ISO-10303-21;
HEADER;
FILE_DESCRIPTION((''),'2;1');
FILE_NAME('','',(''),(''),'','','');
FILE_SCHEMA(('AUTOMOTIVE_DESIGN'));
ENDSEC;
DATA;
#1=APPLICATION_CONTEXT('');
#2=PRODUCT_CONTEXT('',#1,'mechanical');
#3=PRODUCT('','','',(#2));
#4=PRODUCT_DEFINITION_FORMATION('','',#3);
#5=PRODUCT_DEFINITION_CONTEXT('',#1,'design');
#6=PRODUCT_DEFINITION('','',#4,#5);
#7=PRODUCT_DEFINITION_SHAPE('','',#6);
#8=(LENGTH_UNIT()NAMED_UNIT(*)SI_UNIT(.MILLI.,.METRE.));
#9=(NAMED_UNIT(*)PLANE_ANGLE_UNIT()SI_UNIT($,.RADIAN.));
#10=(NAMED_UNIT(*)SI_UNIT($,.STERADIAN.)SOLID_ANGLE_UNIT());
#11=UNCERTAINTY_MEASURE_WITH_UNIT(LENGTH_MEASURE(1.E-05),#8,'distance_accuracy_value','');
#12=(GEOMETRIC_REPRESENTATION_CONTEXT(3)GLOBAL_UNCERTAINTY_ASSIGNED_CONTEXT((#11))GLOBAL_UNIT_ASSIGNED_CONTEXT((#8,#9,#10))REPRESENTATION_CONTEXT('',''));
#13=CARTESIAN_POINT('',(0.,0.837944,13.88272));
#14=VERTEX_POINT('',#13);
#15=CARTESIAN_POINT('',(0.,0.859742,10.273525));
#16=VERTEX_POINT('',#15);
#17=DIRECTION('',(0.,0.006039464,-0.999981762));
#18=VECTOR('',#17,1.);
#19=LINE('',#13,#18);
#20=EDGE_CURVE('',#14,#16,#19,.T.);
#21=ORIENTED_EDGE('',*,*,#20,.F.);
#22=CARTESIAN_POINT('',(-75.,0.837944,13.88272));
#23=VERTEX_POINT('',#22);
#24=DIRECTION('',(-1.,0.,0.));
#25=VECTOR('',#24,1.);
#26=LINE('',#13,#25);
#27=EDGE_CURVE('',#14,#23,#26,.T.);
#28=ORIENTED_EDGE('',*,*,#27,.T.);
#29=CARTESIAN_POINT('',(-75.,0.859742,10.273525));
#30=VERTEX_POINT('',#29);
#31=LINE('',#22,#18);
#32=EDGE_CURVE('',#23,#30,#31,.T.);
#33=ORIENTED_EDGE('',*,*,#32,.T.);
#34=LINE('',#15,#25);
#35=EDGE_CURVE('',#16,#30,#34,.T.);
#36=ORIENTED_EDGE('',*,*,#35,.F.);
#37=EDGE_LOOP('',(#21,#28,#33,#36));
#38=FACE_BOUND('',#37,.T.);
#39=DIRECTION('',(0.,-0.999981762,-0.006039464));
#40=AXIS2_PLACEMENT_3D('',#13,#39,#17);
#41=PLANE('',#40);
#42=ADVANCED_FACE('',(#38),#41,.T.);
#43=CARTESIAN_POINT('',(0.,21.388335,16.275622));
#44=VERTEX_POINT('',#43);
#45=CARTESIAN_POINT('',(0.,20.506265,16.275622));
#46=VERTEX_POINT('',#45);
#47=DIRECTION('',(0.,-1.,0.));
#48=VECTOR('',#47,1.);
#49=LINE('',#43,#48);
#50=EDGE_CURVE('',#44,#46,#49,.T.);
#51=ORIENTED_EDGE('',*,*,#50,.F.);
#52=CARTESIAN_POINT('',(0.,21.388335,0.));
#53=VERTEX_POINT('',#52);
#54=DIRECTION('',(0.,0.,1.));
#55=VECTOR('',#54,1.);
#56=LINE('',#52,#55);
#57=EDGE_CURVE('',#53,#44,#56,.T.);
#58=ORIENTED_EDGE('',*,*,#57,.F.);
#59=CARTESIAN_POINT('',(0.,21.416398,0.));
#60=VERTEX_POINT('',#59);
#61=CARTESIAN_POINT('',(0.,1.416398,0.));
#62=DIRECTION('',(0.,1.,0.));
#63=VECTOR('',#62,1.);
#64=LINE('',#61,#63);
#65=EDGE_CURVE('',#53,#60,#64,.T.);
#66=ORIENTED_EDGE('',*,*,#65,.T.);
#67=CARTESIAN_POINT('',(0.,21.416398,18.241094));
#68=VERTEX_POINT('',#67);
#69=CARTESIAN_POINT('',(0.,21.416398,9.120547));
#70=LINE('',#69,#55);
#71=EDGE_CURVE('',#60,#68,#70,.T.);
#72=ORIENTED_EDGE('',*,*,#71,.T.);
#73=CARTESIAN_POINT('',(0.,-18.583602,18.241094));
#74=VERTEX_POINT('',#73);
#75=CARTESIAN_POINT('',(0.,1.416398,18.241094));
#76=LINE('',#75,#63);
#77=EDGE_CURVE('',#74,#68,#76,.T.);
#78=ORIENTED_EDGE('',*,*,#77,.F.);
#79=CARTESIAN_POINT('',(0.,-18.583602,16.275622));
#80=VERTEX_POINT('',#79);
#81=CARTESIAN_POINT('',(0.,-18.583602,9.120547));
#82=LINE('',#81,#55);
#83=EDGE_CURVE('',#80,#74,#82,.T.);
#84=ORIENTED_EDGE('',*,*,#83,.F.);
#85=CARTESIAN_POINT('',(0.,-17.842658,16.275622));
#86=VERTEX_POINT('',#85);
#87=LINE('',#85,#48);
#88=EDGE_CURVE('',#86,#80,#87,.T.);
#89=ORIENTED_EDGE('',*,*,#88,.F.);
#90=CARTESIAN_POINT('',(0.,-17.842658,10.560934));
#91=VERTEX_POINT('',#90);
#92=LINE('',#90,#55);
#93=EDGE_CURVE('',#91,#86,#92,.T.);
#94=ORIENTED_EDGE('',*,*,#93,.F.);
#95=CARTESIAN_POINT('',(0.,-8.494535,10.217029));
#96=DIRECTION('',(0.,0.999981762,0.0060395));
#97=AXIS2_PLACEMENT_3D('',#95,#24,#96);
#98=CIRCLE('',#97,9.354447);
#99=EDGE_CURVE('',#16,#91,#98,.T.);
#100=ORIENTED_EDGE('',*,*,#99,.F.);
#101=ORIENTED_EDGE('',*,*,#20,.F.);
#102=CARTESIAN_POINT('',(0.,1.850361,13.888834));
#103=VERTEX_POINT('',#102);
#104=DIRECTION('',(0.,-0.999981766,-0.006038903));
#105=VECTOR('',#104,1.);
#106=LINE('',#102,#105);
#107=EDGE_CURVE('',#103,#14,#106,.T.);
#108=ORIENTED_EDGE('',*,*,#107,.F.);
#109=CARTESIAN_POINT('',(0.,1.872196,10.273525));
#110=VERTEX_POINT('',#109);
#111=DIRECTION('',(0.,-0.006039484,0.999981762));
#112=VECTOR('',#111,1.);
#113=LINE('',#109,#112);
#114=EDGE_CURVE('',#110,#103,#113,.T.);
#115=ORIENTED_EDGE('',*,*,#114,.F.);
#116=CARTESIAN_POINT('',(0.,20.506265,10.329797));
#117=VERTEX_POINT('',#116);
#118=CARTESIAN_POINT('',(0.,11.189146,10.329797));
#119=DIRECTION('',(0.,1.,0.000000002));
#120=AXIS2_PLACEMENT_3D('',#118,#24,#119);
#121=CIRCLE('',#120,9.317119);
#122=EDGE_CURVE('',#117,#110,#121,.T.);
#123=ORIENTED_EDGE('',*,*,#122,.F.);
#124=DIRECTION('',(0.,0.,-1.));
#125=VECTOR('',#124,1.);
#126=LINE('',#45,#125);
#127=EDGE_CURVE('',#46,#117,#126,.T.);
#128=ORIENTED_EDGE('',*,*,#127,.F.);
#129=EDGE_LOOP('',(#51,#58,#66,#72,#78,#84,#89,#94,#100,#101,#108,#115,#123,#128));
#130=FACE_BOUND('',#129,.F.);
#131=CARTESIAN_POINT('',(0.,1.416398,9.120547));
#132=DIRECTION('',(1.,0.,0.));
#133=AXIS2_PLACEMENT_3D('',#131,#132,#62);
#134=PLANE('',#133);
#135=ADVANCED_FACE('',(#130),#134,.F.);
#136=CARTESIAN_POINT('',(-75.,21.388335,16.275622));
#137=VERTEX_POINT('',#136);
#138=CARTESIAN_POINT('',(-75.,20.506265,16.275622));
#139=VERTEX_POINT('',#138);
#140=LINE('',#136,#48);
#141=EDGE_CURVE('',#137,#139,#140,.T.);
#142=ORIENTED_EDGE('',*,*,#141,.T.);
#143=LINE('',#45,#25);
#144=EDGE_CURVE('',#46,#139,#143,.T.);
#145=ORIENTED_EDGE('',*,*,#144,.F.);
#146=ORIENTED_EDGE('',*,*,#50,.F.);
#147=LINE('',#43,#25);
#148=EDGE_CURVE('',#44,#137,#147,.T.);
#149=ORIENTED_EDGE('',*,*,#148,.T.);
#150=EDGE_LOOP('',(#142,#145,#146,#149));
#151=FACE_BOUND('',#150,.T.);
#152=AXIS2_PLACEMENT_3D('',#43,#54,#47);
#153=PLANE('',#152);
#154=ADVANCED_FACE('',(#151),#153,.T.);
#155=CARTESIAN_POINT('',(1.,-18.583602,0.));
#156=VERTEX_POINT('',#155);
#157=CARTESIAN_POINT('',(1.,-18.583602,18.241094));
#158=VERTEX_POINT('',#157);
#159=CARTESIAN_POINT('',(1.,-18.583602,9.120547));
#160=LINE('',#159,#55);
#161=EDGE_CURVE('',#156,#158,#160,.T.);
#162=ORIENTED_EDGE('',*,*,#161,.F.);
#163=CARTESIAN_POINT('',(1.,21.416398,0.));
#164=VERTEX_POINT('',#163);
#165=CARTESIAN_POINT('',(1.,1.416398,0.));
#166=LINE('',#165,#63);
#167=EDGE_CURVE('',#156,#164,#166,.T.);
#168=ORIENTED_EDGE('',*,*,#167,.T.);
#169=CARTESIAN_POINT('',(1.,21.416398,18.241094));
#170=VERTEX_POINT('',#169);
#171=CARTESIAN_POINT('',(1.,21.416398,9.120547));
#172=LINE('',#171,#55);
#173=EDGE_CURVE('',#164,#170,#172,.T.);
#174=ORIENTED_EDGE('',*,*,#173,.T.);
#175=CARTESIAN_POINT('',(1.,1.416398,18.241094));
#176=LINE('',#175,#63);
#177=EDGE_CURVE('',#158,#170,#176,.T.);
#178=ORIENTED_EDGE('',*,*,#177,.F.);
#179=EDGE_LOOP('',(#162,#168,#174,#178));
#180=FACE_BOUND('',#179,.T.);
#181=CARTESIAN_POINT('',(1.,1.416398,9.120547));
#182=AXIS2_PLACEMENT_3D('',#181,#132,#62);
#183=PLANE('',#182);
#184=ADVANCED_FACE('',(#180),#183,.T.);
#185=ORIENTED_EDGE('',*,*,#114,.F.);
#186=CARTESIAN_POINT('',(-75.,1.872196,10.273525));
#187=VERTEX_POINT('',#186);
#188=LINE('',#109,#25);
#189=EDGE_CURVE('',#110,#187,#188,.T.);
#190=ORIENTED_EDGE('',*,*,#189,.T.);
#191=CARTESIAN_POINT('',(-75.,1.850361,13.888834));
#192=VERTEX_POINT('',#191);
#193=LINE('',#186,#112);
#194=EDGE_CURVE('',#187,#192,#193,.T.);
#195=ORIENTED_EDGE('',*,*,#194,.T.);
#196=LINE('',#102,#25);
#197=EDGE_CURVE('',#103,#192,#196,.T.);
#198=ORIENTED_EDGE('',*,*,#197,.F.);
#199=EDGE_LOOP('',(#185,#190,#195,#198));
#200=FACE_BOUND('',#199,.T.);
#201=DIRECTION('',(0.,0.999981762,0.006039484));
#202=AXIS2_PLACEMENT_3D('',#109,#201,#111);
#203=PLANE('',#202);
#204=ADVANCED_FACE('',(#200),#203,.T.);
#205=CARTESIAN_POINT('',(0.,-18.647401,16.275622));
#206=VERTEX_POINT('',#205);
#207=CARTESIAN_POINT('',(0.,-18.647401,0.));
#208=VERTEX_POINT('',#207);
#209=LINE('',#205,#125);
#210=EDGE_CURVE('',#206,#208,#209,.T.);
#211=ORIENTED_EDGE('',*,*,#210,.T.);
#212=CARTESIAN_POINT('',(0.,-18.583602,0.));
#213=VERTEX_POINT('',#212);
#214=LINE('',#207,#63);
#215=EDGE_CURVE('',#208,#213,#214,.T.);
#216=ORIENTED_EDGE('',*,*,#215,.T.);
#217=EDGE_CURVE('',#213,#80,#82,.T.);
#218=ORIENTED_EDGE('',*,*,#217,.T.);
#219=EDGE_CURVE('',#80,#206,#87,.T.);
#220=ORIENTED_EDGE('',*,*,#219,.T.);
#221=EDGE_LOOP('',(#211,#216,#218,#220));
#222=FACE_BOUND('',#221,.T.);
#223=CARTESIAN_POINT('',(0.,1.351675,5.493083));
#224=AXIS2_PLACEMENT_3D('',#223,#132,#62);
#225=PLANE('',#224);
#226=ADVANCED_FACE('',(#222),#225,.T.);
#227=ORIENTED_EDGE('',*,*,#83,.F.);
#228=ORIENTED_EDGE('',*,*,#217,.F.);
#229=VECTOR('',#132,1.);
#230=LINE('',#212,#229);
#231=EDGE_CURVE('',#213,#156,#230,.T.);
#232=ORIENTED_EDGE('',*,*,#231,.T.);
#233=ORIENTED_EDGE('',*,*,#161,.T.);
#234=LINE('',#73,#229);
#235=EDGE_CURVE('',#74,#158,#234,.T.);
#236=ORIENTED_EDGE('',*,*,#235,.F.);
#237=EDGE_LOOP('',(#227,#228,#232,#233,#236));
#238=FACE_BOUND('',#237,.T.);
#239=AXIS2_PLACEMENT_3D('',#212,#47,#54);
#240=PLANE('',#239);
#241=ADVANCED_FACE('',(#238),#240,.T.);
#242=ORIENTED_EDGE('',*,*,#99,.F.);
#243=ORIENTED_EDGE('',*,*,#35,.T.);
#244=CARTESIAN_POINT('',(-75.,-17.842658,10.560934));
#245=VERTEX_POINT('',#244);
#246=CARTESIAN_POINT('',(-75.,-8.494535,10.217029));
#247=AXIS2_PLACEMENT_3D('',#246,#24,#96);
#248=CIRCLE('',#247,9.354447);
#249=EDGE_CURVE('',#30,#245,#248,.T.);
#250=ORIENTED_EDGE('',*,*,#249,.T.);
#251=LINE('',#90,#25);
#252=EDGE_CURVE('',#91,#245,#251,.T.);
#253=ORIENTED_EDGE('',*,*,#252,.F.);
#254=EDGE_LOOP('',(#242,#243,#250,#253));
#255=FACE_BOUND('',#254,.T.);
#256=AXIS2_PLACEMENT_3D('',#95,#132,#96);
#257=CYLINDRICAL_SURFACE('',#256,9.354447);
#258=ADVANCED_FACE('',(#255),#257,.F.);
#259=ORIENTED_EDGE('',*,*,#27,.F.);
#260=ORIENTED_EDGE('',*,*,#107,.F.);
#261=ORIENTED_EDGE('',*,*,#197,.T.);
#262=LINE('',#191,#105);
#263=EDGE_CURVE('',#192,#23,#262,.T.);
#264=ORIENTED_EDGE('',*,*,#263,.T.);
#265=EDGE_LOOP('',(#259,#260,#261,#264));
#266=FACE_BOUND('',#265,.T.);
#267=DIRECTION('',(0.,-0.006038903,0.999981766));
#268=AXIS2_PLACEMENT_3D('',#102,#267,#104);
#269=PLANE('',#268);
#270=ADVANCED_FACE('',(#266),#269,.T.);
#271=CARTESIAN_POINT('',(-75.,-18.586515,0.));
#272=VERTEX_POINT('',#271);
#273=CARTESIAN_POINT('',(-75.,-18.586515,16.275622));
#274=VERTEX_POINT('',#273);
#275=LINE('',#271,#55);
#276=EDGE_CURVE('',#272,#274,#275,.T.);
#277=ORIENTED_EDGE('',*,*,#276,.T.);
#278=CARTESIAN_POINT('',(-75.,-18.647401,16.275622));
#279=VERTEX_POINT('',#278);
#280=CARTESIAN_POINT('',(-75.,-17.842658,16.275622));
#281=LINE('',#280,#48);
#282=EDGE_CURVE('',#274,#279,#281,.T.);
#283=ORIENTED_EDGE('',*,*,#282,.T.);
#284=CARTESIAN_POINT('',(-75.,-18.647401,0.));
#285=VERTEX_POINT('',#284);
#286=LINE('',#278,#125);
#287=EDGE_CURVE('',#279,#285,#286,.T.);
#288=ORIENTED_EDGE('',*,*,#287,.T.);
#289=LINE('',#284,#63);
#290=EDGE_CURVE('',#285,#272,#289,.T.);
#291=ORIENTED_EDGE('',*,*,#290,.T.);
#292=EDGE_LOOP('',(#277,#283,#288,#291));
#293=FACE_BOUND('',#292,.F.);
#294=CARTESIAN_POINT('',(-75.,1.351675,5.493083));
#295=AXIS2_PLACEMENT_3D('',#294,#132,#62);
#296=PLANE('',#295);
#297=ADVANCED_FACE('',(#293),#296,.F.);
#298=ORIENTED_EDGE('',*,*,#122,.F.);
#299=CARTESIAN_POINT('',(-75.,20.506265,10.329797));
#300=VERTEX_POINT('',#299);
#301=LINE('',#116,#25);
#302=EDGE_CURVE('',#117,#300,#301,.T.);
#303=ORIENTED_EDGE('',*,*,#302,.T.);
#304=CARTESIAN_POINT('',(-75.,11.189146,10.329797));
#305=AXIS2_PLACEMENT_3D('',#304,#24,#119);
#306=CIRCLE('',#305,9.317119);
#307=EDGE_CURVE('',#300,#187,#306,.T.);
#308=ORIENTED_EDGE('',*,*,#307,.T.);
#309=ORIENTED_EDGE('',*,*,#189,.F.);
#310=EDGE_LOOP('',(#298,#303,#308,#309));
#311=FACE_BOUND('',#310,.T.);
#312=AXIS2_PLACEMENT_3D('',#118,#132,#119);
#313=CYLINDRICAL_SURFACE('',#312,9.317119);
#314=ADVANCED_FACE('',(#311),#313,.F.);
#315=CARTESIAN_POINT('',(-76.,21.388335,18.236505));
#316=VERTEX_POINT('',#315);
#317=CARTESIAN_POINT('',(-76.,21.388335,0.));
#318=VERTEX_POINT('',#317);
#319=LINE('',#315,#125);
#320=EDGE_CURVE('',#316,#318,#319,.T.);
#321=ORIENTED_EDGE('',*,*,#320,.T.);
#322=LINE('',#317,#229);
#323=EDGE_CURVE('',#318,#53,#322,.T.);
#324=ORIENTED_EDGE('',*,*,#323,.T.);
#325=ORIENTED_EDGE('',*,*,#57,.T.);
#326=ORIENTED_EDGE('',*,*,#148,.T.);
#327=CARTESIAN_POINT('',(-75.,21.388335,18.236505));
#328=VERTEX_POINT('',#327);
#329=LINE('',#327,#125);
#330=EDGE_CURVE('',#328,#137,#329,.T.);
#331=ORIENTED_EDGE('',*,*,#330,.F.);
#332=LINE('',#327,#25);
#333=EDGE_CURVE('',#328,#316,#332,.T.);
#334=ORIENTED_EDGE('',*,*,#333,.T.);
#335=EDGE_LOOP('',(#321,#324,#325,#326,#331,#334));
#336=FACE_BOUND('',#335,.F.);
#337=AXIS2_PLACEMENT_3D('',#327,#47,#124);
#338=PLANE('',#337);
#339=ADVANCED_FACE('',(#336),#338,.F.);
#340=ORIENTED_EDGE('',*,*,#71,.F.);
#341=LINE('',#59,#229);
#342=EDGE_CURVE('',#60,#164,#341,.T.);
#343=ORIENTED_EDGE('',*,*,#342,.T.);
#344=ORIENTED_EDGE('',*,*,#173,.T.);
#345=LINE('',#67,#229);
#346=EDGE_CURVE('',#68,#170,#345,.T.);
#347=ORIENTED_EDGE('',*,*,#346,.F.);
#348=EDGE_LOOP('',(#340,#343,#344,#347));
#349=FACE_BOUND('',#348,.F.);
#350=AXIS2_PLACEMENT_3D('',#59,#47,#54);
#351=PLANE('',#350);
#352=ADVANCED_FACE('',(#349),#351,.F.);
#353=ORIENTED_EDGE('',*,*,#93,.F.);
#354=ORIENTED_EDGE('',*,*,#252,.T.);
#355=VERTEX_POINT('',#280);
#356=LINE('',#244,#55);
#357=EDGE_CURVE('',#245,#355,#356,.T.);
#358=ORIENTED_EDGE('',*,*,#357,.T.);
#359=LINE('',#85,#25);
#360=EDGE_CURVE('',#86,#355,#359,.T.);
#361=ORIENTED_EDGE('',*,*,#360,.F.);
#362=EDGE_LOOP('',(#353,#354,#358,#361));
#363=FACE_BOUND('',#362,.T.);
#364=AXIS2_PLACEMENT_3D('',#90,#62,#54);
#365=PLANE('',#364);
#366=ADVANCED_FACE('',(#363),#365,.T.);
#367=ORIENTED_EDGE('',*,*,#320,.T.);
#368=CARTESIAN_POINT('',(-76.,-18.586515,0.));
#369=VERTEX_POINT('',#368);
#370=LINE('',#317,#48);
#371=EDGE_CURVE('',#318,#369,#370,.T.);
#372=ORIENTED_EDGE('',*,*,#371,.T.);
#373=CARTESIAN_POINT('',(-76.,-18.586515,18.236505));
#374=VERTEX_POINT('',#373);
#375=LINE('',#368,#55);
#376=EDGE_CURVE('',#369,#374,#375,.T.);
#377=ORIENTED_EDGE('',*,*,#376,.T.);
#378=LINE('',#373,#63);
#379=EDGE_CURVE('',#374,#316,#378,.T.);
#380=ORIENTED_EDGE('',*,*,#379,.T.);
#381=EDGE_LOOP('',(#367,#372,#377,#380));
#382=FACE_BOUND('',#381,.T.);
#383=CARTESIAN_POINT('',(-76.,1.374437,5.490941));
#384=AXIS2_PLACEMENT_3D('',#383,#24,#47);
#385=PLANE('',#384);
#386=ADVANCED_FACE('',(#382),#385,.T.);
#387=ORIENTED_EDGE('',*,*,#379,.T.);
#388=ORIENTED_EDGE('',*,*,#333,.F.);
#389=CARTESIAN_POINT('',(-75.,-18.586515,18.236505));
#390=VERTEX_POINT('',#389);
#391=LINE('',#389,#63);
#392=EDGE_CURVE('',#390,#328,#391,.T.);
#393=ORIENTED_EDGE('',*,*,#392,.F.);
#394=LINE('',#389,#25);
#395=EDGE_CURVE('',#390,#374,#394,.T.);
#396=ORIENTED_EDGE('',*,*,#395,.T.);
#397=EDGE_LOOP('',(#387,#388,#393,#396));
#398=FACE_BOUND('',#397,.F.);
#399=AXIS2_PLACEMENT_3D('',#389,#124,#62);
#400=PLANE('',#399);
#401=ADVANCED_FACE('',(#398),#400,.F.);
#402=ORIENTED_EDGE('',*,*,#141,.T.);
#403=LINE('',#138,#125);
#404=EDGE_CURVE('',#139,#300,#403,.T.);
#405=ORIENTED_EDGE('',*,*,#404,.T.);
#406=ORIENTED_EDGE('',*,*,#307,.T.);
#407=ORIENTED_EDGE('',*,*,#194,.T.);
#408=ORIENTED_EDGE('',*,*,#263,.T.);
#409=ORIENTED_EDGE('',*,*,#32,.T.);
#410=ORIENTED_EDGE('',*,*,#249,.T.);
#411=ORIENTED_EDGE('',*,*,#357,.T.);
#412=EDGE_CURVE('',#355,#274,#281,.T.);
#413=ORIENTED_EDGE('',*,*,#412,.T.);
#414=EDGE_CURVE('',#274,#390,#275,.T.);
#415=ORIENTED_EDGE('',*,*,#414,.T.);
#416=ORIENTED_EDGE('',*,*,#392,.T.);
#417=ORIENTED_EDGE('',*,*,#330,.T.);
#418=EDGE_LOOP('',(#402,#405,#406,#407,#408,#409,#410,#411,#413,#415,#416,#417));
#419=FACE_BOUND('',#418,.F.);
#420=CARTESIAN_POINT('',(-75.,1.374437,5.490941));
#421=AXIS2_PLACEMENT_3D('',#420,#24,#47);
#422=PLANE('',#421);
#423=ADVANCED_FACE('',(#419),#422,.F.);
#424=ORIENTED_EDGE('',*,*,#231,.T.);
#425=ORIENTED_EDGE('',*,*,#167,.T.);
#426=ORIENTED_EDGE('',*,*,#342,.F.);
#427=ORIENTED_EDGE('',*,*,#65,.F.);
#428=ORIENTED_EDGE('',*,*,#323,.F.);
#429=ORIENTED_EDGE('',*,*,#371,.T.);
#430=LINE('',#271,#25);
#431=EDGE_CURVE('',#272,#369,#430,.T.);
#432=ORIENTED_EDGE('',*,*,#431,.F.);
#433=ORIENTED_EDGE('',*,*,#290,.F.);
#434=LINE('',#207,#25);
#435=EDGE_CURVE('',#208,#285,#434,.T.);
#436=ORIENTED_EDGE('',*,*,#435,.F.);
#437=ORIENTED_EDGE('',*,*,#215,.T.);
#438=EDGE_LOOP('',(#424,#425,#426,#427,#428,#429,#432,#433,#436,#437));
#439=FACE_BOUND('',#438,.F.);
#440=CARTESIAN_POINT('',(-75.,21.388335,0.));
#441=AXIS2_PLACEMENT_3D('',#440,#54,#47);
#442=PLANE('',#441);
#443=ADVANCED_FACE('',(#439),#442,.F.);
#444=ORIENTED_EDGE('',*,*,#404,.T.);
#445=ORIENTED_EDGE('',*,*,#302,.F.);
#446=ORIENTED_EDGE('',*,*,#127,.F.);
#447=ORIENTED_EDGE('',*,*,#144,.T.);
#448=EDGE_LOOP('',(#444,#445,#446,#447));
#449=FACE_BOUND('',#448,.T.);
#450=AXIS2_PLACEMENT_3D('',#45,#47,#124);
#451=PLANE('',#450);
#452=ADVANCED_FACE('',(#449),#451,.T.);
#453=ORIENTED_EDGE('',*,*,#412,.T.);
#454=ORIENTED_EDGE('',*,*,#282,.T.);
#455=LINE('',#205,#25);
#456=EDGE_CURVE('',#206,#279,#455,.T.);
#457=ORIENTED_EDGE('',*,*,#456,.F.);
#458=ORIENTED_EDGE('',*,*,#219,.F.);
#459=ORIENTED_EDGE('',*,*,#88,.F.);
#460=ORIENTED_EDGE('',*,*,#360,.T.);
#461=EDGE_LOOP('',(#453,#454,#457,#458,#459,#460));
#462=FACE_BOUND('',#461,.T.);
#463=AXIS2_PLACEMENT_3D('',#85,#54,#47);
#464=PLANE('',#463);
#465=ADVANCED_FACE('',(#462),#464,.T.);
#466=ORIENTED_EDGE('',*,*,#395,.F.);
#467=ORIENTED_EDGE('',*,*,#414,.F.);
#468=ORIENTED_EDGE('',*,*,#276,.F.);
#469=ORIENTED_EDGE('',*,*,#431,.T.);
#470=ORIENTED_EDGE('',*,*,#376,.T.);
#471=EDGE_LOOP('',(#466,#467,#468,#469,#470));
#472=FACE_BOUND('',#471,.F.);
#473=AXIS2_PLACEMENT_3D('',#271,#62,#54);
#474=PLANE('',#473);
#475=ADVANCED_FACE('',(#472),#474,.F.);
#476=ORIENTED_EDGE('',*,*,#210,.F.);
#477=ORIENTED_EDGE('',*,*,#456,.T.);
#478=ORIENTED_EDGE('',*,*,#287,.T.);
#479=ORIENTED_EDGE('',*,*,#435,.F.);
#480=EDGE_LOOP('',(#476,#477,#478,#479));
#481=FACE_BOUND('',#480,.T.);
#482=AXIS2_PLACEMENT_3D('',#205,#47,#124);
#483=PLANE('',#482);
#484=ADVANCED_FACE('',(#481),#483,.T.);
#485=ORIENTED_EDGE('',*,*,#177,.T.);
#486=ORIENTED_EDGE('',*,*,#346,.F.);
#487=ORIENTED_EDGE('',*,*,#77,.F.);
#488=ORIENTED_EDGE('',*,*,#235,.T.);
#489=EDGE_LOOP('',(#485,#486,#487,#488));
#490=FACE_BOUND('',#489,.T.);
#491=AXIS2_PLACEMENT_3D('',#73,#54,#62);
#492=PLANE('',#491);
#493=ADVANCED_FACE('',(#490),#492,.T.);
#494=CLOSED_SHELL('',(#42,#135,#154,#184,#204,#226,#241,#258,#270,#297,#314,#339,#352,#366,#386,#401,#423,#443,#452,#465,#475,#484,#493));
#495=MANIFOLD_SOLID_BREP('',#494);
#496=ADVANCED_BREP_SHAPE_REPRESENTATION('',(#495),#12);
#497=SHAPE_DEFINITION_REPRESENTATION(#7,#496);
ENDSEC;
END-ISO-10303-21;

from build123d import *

# Parameters (mm, degrees)
F0_W     = 40
F0_H     = 18.241094
F1_DEPTH = 1
F3_DEPTH = 75
F5_DEPTH = 1


with BuildPart() as f1:
    # F0 (on Right) → F1 (new body)
    with BuildSketch(Plane.YZ):
        with Locations((1.416398, 9.120547)):
            Rectangle(F0_W, F0_H)
    extrude(amount=F1_DEPTH)

    # F2 (on Right) → F3 (join)
    with BuildSketch(Plane.YZ):
        with BuildLine():
            Line((-18.647401, 0), (21.388335, 0))
            Line((21.388335, 0), (21.388335, 16.275622))
            Line((21.388335, 16.275622), (20.506265, 16.275622))
            Line((20.506265, 16.275622), (20.506265, 10.329797))
            ThreePointArc((20.506265, 10.329797), (11.217281, 1.01272), (1.872196, 10.273525))
            Line((1.872196, 10.273525), (1.850361, 13.888834))
            Line((1.850361, 13.888834), (0.837944, 13.88272))
            Line((0.837944, 13.88272), (0.859742, 10.273525))
            ThreePointArc((0.859742, 10.273525), (-8.638272, 0.863686), (-17.842658, 10.560934))
            Line((-17.842658, 10.560934), (-17.842658, 16.275622))
            Line((-17.842658, 16.275622), (-18.647401, 16.275622))
            Line((-18.647401, 16.275622), (-18.647401, 0))
        make_face()
    extrude(amount=-F3_DEPTH)

    # F4 (on face) → F5 (join)
    with BuildSketch(Plane(origin=(-75, 0, 0), x_dir=(0, -1, 0), z_dir=(-1, 0, 0))):
        with BuildLine():
            Line((18.586515, 0), (18.586515, 16.275622))
            Line((18.586515, 16.275622), (17.842658, 16.275622))
            Line((17.842658, 16.275622), (17.842658, 10.560934))
            ThreePointArc((17.842658, 10.560934), (8.638272, 0.863686), (-0.859742, 10.273525))
            Line((-0.859742, 10.273525), (-0.837944, 13.88272))
            Line((-0.837944, 13.88272), (-1.850361, 13.888834))
            Line((-1.850361, 13.888834), (-1.872196, 10.273525))
            ThreePointArc((-1.872196, 10.273525), (-11.217281, 1.01272), (-20.506265, 10.329797))
            Line((-20.506265, 10.329797), (-20.506265, 16.275622))
            Line((-20.506265, 16.275622), (-21.388335, 16.275622))
            Line((-21.388335, 16.275622), (-21.388335, 0))
            Line((-21.388335, 0), (18.586515, 0))
        make_face()
        with BuildLine():
            Line((18.586515, 16.275622), (18.586515, 18.236505))
            Line((18.586515, 18.236505), (-21.388335, 18.236505))
            Line((-21.388335, 18.236505), (-21.388335, 16.275622))
            Line((-21.388335, 16.275622), (-20.506265, 16.275622))
            Line((-20.506265, 16.275622), (-20.506265, 10.329797))
            ThreePointArc((-20.506265, 10.329797), (-11.217281, 1.01272), (-1.872196, 10.273525))
            Line((-1.872196, 10.273525), (-1.850361, 13.888834))
            Line((-1.850361, 13.888834), (-0.837944, 13.88272))
            Line((-0.837944, 13.88272), (-0.859742, 10.273525))
            ThreePointArc((-0.859742, 10.273525), (8.638272, 0.863686), (17.842658, 10.560934))
            Line((17.842658, 10.560934), (17.842658, 16.275622))
            Line((17.842658, 16.275622), (18.586515, 16.275622))
        make_face()
    extrude(amount=F5_DEPTH)


solid = f1.part
